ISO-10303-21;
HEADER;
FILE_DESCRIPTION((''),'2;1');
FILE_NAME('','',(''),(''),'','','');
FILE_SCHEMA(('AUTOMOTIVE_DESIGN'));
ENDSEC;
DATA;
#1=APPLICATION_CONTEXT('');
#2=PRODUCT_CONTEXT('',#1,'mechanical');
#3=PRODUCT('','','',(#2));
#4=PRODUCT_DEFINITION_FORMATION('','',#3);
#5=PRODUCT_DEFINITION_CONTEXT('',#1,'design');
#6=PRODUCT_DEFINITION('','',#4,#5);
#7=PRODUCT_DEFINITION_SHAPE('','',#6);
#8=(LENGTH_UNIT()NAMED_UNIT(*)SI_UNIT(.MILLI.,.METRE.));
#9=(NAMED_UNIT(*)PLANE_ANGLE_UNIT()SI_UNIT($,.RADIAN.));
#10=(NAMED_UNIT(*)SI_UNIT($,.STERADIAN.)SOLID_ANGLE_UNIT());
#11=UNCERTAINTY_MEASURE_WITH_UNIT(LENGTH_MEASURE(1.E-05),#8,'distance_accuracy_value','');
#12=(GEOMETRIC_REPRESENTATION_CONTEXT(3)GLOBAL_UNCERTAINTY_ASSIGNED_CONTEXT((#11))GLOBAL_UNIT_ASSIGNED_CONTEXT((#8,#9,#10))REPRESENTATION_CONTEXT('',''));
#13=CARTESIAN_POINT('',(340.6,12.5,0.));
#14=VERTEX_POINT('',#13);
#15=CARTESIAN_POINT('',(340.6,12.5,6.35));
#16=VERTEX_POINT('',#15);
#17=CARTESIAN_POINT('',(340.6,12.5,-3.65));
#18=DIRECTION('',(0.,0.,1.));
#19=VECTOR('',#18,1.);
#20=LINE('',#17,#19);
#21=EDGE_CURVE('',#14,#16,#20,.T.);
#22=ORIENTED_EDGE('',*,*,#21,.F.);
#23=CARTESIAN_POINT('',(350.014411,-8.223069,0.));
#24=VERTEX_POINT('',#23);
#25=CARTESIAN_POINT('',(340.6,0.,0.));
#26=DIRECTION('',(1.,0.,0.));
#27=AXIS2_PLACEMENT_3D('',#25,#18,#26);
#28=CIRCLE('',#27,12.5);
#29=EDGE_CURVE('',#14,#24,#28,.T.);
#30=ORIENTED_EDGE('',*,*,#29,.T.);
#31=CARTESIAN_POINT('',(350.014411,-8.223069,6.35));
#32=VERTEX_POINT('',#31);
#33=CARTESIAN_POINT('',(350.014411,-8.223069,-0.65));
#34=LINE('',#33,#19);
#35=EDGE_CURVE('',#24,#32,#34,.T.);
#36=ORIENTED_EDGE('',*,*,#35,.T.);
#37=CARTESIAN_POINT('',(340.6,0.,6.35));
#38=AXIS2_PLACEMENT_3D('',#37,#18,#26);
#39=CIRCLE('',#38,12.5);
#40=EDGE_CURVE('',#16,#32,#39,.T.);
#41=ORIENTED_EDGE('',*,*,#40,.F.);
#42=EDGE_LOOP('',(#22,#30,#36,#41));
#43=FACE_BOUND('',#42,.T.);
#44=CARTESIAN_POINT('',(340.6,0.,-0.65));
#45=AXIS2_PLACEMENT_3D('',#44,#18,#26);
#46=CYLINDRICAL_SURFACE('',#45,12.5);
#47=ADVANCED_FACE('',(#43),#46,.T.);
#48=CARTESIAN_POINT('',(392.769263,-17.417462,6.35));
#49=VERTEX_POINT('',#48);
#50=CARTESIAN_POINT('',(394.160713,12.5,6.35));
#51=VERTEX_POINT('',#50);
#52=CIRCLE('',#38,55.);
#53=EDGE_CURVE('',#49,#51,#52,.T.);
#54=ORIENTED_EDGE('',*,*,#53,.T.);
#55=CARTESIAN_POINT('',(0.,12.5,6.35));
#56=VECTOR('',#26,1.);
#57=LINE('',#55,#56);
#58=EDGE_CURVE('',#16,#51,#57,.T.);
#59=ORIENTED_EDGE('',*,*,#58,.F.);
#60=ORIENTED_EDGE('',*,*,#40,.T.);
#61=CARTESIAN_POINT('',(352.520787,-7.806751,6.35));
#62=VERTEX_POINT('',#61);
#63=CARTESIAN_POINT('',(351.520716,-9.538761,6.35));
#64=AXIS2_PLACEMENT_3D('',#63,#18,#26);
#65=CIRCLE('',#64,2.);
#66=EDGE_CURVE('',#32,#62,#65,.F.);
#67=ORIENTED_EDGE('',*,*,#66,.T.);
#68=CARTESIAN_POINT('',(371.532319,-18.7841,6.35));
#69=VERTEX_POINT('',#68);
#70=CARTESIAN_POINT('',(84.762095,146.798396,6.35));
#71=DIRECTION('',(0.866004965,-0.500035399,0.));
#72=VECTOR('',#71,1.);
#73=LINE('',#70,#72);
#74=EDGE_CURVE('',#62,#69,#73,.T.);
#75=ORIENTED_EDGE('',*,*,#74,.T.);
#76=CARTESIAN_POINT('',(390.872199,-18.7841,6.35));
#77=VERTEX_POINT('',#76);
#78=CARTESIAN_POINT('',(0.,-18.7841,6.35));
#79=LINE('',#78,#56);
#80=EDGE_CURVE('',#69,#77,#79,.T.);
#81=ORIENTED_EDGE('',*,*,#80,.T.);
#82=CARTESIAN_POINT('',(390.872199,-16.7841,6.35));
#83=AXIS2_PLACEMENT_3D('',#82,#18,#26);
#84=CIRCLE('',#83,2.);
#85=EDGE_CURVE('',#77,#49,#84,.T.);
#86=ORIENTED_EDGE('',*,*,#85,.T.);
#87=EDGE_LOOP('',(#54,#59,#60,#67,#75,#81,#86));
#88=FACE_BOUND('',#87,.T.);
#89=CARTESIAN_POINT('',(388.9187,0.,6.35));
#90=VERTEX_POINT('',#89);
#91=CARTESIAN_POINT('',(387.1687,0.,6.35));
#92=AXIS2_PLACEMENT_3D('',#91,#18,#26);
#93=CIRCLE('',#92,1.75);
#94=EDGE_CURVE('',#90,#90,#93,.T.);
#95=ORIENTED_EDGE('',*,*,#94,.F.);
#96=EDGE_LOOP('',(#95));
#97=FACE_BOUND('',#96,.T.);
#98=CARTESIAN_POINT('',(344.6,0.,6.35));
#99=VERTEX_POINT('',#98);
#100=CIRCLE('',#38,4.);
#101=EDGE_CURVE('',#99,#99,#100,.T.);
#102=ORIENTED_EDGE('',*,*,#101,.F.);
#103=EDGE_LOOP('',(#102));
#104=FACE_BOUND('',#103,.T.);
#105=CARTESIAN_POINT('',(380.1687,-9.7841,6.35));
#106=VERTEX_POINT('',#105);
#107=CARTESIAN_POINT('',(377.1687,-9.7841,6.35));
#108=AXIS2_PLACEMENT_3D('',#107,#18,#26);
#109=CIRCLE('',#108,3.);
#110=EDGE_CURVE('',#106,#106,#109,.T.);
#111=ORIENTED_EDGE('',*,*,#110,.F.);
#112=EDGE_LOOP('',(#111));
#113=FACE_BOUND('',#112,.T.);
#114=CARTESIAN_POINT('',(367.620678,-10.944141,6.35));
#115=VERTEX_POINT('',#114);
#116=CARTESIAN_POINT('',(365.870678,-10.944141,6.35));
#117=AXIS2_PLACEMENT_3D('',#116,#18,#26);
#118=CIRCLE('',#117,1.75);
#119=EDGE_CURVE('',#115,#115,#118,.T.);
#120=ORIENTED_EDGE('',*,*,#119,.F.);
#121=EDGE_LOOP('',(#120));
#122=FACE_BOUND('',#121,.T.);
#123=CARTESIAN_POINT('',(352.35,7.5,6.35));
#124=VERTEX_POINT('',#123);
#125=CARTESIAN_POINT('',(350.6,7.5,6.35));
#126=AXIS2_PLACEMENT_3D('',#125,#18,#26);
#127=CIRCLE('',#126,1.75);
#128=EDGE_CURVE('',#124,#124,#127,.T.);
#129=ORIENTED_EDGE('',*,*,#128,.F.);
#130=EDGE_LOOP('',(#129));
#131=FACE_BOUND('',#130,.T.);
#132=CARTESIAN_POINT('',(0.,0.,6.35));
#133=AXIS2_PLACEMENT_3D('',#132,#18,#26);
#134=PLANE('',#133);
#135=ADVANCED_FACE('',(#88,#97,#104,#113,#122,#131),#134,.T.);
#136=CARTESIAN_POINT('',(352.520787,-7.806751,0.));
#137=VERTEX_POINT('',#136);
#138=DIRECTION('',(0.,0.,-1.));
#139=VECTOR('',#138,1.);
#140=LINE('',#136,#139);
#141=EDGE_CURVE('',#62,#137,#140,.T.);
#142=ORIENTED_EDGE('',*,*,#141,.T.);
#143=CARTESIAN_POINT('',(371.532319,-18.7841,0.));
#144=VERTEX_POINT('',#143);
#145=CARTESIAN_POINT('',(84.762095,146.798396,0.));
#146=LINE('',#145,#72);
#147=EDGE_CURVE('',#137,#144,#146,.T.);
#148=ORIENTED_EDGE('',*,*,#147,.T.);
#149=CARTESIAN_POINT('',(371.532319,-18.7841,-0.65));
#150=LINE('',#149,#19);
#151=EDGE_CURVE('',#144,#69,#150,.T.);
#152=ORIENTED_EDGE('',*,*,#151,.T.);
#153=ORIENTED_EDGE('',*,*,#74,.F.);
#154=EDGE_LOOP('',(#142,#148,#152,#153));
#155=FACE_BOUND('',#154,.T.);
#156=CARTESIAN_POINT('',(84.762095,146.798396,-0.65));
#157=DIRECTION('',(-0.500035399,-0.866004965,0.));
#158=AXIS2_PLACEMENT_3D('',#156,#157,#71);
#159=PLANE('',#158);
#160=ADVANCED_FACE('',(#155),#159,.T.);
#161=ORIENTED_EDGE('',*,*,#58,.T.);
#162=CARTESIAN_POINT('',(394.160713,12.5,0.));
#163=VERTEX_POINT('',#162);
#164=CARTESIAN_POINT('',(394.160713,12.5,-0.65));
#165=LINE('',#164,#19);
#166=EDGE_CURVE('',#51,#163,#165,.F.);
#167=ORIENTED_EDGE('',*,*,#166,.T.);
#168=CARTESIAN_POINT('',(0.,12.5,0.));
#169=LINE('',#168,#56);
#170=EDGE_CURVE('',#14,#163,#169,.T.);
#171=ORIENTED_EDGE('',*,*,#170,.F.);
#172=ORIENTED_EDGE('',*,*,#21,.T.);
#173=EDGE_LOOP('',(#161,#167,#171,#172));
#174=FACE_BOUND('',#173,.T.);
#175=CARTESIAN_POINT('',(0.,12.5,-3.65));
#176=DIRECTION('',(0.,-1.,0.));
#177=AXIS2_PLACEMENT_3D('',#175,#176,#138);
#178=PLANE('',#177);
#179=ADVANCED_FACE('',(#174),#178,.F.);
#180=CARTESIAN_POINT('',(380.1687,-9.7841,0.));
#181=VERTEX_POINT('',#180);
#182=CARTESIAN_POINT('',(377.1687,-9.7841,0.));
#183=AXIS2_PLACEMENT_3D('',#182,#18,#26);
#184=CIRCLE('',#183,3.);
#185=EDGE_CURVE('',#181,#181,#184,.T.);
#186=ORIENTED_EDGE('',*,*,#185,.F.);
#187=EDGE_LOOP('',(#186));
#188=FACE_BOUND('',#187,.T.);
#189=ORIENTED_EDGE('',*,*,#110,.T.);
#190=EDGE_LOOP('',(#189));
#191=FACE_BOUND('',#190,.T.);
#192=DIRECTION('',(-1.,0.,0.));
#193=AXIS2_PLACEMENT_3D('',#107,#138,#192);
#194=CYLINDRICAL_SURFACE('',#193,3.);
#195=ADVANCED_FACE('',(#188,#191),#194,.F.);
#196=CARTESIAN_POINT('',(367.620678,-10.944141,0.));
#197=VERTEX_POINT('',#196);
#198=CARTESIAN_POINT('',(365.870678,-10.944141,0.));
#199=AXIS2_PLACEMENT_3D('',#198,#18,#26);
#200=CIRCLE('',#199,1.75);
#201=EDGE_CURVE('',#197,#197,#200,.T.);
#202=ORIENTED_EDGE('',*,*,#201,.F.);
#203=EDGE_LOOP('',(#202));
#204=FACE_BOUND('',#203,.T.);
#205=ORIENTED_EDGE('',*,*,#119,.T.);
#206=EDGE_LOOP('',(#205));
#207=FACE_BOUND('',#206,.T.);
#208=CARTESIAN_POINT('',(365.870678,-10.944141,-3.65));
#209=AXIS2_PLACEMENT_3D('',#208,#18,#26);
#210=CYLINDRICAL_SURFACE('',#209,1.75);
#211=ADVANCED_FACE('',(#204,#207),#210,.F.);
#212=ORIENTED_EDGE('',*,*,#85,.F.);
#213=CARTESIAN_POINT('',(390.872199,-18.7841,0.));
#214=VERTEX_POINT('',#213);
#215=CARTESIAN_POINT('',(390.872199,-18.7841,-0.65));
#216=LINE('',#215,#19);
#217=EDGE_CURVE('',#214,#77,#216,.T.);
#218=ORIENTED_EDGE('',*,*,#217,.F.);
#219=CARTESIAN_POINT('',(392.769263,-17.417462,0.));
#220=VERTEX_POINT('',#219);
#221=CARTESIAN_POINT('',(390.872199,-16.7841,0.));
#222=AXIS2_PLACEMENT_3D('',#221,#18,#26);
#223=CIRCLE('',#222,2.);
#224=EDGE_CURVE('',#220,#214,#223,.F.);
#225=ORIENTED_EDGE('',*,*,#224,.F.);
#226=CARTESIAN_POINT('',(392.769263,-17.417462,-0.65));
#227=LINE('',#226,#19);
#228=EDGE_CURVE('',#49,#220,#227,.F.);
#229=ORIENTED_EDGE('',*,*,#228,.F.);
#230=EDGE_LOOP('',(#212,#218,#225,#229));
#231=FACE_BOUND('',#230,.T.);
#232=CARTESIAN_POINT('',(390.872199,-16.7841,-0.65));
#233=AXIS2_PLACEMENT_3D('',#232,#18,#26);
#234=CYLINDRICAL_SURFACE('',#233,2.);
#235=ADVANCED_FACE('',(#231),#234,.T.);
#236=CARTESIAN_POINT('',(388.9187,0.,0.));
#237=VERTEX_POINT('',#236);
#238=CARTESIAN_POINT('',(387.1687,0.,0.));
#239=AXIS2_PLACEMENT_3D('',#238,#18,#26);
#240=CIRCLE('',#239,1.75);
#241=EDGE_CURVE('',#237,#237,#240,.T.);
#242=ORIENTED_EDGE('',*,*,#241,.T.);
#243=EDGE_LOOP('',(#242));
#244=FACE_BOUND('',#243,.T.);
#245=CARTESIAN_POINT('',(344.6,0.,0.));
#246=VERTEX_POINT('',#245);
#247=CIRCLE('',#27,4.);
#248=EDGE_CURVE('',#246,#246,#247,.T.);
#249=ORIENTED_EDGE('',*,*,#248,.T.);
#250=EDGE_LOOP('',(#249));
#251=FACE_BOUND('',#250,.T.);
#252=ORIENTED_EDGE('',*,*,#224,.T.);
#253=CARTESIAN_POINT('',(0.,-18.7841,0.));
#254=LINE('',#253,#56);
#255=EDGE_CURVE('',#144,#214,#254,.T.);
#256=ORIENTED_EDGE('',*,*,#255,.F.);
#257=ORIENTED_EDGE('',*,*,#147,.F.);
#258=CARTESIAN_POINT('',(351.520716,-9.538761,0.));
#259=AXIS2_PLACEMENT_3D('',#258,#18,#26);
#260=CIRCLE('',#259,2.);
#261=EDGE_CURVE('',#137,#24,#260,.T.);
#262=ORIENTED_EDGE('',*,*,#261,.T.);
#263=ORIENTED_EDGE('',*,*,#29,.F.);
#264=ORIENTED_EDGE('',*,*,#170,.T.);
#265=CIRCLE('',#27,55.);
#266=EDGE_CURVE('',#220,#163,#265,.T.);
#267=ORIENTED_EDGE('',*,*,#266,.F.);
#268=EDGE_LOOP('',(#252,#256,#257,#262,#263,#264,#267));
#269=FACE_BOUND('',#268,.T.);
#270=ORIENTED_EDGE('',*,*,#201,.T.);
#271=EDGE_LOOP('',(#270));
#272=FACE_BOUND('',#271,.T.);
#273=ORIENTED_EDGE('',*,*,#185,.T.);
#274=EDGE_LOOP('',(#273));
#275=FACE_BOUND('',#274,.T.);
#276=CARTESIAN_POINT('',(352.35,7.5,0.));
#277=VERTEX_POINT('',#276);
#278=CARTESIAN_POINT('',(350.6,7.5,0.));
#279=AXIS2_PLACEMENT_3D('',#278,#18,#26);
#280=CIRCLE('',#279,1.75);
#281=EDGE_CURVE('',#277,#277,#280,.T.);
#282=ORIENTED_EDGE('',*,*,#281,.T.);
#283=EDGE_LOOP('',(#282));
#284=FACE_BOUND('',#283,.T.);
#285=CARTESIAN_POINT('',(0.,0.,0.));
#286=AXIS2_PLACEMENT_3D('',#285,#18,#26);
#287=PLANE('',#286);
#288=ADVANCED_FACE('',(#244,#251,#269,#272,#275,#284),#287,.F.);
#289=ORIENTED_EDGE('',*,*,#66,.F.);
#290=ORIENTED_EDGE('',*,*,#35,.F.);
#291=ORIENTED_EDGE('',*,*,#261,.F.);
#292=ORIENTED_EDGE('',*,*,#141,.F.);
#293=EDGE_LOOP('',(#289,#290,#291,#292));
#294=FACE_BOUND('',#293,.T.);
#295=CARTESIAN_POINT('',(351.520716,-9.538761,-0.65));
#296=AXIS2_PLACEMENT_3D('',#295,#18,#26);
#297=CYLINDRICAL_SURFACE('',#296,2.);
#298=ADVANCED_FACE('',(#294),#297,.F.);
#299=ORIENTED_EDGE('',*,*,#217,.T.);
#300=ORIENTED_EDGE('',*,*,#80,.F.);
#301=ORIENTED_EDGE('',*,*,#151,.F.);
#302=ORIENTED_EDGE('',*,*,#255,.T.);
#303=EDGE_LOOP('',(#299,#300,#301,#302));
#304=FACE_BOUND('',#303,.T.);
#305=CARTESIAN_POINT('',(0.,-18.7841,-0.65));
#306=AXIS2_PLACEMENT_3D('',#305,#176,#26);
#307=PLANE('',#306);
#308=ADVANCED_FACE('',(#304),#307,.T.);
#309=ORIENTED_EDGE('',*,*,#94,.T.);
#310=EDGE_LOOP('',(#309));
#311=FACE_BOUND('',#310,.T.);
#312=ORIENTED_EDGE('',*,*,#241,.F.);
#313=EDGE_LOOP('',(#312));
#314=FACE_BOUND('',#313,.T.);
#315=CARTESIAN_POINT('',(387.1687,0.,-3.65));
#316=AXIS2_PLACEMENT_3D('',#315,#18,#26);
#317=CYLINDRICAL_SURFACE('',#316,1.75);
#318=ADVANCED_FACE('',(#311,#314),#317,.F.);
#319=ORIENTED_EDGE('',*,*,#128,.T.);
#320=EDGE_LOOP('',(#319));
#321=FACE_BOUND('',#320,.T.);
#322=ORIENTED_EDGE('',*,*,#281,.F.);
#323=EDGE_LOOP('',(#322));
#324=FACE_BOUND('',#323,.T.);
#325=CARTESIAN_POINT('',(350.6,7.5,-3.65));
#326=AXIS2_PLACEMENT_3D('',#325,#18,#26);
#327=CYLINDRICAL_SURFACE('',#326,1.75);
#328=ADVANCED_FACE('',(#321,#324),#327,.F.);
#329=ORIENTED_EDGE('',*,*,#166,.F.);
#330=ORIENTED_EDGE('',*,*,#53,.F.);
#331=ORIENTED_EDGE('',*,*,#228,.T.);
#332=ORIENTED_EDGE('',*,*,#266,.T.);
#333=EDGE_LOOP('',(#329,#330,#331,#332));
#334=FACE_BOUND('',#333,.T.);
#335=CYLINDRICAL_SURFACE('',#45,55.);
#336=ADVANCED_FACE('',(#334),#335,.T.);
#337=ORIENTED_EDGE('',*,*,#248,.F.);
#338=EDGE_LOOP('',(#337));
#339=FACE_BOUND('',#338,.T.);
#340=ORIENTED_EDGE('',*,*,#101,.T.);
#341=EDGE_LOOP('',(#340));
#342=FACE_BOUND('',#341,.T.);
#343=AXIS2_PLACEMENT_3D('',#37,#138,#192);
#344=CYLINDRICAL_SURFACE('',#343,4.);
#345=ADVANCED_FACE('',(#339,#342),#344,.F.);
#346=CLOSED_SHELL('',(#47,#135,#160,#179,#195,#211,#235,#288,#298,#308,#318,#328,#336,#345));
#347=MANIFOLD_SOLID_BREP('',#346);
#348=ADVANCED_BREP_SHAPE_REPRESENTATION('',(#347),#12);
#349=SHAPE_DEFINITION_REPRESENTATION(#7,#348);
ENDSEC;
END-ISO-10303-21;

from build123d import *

# Parameters (mm, degrees)
SKETCH1_W           = 500
SKETCH1_H           = 150
SKETCH1_R           = 9.3
SKETCH1_R_2         = 3
SKETCH1_R_3         = 4
BOSS_EXTRUDE1_DEPTH = 6.35
CUT_EXTRUDE1_DEPTH  = 7
SKETCH4_R           = 9.3
CUT_EXTRUDE2_DEPTH  = 10
FILLET1_R           = 2
CUT_EXTRUDE4_DEPTH  = 10
SKETCH6_R           = 1.75
SKETCH6_R_2         = 3
CUT_EXTRUDE5_DEPTH  = 10


with BuildPart() as part:
    # Sketch1 → Boss-Extrude1 (new body)
    with BuildSketch(Plane.XY):
        with Locations((200, 0)):
            Rectangle(SKETCH1_W, SKETCH1_H)
        Circle(SKETCH1_R, mode=Mode.SUBTRACT)
        with BuildLine():
            ThreePointArc((303.793920425, 21.250000148), (340.59999997, 42.5), (377.406079545, 21.250000201))
            ThreePointArc((377.406079545, 21.250000201), (375.758965412, 15.102885723), (369.61185099, 16.750000063))
            ThreePointArc((369.61185099, 16.750000063), (340.600001147, 33.5), (311.588150157, 16.750002051))
            ThreePointArc((311.588150157, 16.750002051), (305.441035607, 15.102885134), (303.793920425, 21.250000148))
        make_face(mode=Mode.SUBTRACT)
        with Locations((377.1687, -9.7841)):
            Circle(SKETCH1_R_2, mode=Mode.SUBTRACT)
        with Locations((340.6, 0)):
            Circle(SKETCH1_R_3, mode=Mode.SUBTRACT)
    extrude(amount=BOSS_EXTRUDE1_DEPTH)

    # Sketch3 → Cut-Extrude1 (cut)
    with BuildSketch(Plane.XY.offset(6.35)):
        with BuildLine():
            Line((36.827355724, 55), (-50, 55))
            Line((-50, 55), (-50, -75))
            Line((-50, -75), (450, -75))
            Line((450, -75), (450, 55))
            Line((450, 55), (340.6, 55))
            ThreePointArc((340.6, 55), (379.490872965, 38.890872965), (395.6, 0))
            ThreePointArc((395.6, 0), (394.766919757, -9.536498518), (392.292916219, -18.7841))
            ThreePointArc((392.292916219, -18.7841), (329.589221669, -53.886573101), (285.681879129, 3))
            Line((285.681879129, 3), (30.896152423, 3))
            Line((30.896152423, 3), (21.172644276, 3))
            Line((21.172644276, 3), (9.086322138, -9.086322138))
            ThreePointArc((9.086322138, -9.086322138), (-9.086322138, -9.086322138), (-9.086322138, 9.086322138))
            Line((-9.086322138, 9.086322138), (36.827355724, 55))
        make_face()
        with BuildLine():
            Line((328.4653389, 3), (285.681879129, 3))
            ThreePointArc((285.681879129, 3), (329.589221669, -53.886573101), (392.292916219, -18.7841))
            Line((392.292916219, -18.7841), (371.532319214, -18.7841))
            Line((371.532319214, -18.7841), (351.002913897, -6.930323401))
            ThreePointArc((351.002913897, -6.930323401), (335.559903988, -11.438856245), (328.4653389, 3))
        make_face()
        Polygon((-50, 75), (-50, 55), (36.827355724, 55), (340.6, 55), (450, 55), (450, 75), align=None)
    extrude(amount=-CUT_EXTRUDE1_DEPTH, mode=Mode.SUBTRACT)

    # Sketch4 → Cut-Extrude2 (cut)
    with BuildSketch(Plane.XY.offset(6.35)):
        with BuildLine():
            Line((23.112698372, 8), (6.470027048, 24.642671324))
            Line((6.470027048, 24.642671324), (-9.086322138, 9.086322138))
            ThreePointArc((-9.086322138, 9.086322138), (4.917482106, 11.871851993), (12.85, 0))
            ThreePointArc((12.85, 0), (11.871851993, -4.917482106), (9.086322138, -9.086322138))
            Line((9.086322138, -9.086322138), (21.172644276, 3))
            Line((21.172644276, 3), (41, 3))
            Line((41, 3), (41, 8))
            Line((41, 8), (23.112698372, 8))
        make_face()
        with BuildLine():
            ThreePointArc((12.85, 0), (4.917482106, 11.871851993), (-9.086322138, 9.086322138))
            ThreePointArc((-9.086322138, 9.086322138), (-9.086322138, -9.086322138), (9.086322138, -9.086322138))
            ThreePointArc((9.086322138, -9.086322138), (11.871851993, -4.917482106), (12.85, 0))
        make_face()
        Circle(SKETCH4_R, mode=Mode.SUBTRACT)
        Polygon((36.827355724, 55), (30.827355724, 49), (50.827355724, 49), (50.827355724, 55), align=None)
    extrude(amount=-CUT_EXTRUDE2_DEPTH, mode=Mode.SUBTRACT)

    # Fillet1
    fillet1_edges = [part.edges().sort_by_distance(p)[0] for p in [
        (328.4653389, 3, 3.175),
        (351.002913897, -6.930323401, 3.175),
        (392.292916219, -18.7841, 3.175),
    ]]
    fillet(fillet1_edges, radius=FILLET1_R)

    # Sketch5 → Cut-Extrude4 (cut)
    with BuildSketch(Plane.XY.offset(6.35)):
        with BuildLine():
            ThreePointArc((328.129761947, 0.862068966), (332.07139701, 9.138540969), (340.6, 12.5))
            Line((340.6, 12.5), (394.160713214, 12.5))
            ThreePointArc((394.160713214, 12.5), (374.786985828, 43.084219849), (340.6, 55))
            Line((340.6, 55), (50.827355724, 55))
            Line((50.827355724, 55), (50.827355724, 49))
            Line((50.827355724, 49), (30.827355724, 49))
            Line((30.827355724, 49), (6.470027048, 24.642671324))
            Line((6.470027048, 24.642671324), (23.112698372, 8))
            Line((23.112698372, 8), (41, 8))
            Line((41, 8), (41, 3))
            Line((41, 3), (326.134523859, 3))
            ThreePointArc((326.134523859, 3), (327.596690413, 2.364576478), (328.129761947, 0.862068966))
        make_face()
        with BuildLine():
            ThreePointArc((311.588150157, 16.750002051), (305.441035607, 15.102885134), (303.793920425, 21.250000148))
            ThreePointArc((303.793920425, 21.250000148), (340.59999997, 42.5), (377.406079545, 21.250000201))
            ThreePointArc((377.406079545, 21.250000201), (375.758965412, 15.102885723), (369.61185099, 16.750000063))
            ThreePointArc((369.61185099, 16.750000063), (340.600001147, 33.5), (311.588150157, 16.750002051))
        make_face(mode=Mode.SUBTRACT)
    extrude(amount=-CUT_EXTRUDE4_DEPTH, mode=Mode.SUBTRACT)


with BuildPart() as cut_extrude4_kept_piece:
    # of the separate pieces the step leaves, the one the design keeps (cut_extrude4_pieces_kept)
    add(part.part.solids().sort_by_distance((340.6, 12.5, 0))[0])

    # Sketch6 → Cut-Extrude5 (cut)
    with BuildSketch(Plane.XY.offset(6.35)):
        with Locations((350.6, 7.5)):
            Circle(SKETCH6_R)
        with Locations((387.1687, 0)):
            Circle(SKETCH6_R)
        with Locations((377.1687, -9.7841)):
            Circle(SKETCH6_R_2)
        with Locations((365.870678247, -10.944141097)):
            Circle(SKETCH6_R)
    extrude(amount=-CUT_EXTRUDE5_DEPTH, mode=Mode.SUBTRACT)


solid = cut_extrude4_kept_piece.part
